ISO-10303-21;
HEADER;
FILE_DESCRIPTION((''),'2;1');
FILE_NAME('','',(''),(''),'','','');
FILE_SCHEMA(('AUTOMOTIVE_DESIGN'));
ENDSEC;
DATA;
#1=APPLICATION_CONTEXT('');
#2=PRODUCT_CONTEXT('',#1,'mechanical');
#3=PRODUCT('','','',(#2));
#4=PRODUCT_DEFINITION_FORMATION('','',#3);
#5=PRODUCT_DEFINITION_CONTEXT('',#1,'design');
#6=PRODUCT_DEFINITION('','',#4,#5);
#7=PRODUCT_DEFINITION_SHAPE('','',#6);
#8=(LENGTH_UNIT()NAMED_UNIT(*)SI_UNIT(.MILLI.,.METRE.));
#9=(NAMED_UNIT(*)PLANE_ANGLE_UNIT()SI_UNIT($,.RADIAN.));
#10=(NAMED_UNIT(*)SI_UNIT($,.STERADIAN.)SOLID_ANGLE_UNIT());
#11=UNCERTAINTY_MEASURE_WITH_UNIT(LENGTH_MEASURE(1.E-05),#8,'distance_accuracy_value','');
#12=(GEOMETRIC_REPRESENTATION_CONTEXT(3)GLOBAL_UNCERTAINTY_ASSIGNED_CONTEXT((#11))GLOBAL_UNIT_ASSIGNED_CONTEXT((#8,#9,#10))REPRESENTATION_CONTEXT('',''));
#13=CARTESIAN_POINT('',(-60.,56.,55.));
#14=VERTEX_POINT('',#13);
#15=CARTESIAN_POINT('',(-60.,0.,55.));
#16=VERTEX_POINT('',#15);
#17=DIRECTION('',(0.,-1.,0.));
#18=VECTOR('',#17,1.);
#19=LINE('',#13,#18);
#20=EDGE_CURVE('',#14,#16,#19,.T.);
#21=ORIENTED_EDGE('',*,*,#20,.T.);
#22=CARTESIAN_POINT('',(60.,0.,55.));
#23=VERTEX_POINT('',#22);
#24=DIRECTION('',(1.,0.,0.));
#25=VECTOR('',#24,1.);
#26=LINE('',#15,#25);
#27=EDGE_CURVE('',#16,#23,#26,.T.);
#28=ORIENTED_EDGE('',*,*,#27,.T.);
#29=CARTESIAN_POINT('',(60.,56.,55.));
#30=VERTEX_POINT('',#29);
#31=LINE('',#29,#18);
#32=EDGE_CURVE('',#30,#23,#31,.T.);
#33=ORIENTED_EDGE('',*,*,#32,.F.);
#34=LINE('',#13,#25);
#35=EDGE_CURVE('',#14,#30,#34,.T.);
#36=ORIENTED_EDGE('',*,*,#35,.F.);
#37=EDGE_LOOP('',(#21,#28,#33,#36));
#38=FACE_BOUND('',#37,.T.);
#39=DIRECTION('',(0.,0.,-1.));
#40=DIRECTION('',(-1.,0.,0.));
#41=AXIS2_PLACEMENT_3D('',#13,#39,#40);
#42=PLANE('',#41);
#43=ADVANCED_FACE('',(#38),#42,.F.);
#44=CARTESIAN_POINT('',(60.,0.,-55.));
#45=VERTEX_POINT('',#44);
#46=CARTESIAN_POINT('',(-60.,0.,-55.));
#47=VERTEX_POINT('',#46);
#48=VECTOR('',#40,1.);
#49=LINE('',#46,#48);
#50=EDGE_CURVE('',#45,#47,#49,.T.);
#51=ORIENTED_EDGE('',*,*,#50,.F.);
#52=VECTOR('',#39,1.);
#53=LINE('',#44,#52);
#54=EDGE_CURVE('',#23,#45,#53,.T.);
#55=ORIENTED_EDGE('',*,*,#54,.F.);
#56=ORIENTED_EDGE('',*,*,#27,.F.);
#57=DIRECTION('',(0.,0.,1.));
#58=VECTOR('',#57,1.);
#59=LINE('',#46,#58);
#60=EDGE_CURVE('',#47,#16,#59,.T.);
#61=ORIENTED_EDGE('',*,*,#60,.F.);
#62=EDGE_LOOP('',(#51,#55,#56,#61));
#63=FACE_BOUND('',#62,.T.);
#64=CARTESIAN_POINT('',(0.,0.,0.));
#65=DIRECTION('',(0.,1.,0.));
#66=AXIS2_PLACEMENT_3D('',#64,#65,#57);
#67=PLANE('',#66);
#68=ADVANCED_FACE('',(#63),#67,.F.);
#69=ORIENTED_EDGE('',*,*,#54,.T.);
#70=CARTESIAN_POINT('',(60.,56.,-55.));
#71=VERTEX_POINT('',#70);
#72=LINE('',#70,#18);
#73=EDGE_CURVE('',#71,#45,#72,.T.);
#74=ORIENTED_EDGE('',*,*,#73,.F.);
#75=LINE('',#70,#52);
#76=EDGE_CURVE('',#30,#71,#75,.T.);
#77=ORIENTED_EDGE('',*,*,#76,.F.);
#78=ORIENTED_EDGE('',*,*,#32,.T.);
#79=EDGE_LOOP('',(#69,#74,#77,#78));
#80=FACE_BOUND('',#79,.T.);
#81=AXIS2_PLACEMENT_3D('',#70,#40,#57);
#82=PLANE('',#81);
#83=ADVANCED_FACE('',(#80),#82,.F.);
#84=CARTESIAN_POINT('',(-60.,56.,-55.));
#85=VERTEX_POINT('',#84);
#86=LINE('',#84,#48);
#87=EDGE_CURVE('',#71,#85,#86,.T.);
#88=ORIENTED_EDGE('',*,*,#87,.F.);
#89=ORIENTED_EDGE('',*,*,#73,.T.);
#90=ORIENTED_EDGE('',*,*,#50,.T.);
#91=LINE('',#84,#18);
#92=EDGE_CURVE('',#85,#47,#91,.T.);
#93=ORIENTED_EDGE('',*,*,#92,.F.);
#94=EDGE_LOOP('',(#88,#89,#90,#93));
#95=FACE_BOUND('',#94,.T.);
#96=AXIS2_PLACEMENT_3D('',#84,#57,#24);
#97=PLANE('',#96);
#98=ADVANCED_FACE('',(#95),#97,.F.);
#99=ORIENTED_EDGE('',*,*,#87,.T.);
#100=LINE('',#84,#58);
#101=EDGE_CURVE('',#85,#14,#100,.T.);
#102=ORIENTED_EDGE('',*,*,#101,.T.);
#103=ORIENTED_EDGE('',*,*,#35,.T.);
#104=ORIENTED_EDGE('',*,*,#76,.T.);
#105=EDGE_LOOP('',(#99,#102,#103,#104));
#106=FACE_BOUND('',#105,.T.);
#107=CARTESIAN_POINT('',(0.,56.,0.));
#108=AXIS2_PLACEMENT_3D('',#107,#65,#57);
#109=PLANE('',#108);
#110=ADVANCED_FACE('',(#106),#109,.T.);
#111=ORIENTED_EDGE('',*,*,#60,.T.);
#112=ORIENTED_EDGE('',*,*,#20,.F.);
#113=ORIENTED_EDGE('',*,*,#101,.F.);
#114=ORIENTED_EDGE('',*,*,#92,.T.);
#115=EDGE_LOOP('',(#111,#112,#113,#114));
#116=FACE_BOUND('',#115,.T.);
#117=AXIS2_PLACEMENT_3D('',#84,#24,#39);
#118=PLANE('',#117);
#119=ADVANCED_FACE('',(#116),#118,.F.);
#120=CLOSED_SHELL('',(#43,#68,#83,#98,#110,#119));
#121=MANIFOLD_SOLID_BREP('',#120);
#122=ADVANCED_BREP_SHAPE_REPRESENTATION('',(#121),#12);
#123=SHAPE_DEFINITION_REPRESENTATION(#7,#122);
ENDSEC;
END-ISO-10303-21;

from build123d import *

# Parameters (mm, degrees)
SKETCH_1_W      = 120
SKETCH_1_H      = 110
EXTRUDE_1_DEPTH = 56


with BuildPart() as part:
    # 草图1 → 凸台-拉伸1 (new body)
    with BuildSketch(Plane(origin=(0, 0, 0), x_dir=(1, 0, 0), z_dir=(0, 1, 0))):
        Rectangle(SKETCH_1_W, SKETCH_1_H)
    extrude(amount=EXTRUDE_1_DEPTH)


solid = part.part
